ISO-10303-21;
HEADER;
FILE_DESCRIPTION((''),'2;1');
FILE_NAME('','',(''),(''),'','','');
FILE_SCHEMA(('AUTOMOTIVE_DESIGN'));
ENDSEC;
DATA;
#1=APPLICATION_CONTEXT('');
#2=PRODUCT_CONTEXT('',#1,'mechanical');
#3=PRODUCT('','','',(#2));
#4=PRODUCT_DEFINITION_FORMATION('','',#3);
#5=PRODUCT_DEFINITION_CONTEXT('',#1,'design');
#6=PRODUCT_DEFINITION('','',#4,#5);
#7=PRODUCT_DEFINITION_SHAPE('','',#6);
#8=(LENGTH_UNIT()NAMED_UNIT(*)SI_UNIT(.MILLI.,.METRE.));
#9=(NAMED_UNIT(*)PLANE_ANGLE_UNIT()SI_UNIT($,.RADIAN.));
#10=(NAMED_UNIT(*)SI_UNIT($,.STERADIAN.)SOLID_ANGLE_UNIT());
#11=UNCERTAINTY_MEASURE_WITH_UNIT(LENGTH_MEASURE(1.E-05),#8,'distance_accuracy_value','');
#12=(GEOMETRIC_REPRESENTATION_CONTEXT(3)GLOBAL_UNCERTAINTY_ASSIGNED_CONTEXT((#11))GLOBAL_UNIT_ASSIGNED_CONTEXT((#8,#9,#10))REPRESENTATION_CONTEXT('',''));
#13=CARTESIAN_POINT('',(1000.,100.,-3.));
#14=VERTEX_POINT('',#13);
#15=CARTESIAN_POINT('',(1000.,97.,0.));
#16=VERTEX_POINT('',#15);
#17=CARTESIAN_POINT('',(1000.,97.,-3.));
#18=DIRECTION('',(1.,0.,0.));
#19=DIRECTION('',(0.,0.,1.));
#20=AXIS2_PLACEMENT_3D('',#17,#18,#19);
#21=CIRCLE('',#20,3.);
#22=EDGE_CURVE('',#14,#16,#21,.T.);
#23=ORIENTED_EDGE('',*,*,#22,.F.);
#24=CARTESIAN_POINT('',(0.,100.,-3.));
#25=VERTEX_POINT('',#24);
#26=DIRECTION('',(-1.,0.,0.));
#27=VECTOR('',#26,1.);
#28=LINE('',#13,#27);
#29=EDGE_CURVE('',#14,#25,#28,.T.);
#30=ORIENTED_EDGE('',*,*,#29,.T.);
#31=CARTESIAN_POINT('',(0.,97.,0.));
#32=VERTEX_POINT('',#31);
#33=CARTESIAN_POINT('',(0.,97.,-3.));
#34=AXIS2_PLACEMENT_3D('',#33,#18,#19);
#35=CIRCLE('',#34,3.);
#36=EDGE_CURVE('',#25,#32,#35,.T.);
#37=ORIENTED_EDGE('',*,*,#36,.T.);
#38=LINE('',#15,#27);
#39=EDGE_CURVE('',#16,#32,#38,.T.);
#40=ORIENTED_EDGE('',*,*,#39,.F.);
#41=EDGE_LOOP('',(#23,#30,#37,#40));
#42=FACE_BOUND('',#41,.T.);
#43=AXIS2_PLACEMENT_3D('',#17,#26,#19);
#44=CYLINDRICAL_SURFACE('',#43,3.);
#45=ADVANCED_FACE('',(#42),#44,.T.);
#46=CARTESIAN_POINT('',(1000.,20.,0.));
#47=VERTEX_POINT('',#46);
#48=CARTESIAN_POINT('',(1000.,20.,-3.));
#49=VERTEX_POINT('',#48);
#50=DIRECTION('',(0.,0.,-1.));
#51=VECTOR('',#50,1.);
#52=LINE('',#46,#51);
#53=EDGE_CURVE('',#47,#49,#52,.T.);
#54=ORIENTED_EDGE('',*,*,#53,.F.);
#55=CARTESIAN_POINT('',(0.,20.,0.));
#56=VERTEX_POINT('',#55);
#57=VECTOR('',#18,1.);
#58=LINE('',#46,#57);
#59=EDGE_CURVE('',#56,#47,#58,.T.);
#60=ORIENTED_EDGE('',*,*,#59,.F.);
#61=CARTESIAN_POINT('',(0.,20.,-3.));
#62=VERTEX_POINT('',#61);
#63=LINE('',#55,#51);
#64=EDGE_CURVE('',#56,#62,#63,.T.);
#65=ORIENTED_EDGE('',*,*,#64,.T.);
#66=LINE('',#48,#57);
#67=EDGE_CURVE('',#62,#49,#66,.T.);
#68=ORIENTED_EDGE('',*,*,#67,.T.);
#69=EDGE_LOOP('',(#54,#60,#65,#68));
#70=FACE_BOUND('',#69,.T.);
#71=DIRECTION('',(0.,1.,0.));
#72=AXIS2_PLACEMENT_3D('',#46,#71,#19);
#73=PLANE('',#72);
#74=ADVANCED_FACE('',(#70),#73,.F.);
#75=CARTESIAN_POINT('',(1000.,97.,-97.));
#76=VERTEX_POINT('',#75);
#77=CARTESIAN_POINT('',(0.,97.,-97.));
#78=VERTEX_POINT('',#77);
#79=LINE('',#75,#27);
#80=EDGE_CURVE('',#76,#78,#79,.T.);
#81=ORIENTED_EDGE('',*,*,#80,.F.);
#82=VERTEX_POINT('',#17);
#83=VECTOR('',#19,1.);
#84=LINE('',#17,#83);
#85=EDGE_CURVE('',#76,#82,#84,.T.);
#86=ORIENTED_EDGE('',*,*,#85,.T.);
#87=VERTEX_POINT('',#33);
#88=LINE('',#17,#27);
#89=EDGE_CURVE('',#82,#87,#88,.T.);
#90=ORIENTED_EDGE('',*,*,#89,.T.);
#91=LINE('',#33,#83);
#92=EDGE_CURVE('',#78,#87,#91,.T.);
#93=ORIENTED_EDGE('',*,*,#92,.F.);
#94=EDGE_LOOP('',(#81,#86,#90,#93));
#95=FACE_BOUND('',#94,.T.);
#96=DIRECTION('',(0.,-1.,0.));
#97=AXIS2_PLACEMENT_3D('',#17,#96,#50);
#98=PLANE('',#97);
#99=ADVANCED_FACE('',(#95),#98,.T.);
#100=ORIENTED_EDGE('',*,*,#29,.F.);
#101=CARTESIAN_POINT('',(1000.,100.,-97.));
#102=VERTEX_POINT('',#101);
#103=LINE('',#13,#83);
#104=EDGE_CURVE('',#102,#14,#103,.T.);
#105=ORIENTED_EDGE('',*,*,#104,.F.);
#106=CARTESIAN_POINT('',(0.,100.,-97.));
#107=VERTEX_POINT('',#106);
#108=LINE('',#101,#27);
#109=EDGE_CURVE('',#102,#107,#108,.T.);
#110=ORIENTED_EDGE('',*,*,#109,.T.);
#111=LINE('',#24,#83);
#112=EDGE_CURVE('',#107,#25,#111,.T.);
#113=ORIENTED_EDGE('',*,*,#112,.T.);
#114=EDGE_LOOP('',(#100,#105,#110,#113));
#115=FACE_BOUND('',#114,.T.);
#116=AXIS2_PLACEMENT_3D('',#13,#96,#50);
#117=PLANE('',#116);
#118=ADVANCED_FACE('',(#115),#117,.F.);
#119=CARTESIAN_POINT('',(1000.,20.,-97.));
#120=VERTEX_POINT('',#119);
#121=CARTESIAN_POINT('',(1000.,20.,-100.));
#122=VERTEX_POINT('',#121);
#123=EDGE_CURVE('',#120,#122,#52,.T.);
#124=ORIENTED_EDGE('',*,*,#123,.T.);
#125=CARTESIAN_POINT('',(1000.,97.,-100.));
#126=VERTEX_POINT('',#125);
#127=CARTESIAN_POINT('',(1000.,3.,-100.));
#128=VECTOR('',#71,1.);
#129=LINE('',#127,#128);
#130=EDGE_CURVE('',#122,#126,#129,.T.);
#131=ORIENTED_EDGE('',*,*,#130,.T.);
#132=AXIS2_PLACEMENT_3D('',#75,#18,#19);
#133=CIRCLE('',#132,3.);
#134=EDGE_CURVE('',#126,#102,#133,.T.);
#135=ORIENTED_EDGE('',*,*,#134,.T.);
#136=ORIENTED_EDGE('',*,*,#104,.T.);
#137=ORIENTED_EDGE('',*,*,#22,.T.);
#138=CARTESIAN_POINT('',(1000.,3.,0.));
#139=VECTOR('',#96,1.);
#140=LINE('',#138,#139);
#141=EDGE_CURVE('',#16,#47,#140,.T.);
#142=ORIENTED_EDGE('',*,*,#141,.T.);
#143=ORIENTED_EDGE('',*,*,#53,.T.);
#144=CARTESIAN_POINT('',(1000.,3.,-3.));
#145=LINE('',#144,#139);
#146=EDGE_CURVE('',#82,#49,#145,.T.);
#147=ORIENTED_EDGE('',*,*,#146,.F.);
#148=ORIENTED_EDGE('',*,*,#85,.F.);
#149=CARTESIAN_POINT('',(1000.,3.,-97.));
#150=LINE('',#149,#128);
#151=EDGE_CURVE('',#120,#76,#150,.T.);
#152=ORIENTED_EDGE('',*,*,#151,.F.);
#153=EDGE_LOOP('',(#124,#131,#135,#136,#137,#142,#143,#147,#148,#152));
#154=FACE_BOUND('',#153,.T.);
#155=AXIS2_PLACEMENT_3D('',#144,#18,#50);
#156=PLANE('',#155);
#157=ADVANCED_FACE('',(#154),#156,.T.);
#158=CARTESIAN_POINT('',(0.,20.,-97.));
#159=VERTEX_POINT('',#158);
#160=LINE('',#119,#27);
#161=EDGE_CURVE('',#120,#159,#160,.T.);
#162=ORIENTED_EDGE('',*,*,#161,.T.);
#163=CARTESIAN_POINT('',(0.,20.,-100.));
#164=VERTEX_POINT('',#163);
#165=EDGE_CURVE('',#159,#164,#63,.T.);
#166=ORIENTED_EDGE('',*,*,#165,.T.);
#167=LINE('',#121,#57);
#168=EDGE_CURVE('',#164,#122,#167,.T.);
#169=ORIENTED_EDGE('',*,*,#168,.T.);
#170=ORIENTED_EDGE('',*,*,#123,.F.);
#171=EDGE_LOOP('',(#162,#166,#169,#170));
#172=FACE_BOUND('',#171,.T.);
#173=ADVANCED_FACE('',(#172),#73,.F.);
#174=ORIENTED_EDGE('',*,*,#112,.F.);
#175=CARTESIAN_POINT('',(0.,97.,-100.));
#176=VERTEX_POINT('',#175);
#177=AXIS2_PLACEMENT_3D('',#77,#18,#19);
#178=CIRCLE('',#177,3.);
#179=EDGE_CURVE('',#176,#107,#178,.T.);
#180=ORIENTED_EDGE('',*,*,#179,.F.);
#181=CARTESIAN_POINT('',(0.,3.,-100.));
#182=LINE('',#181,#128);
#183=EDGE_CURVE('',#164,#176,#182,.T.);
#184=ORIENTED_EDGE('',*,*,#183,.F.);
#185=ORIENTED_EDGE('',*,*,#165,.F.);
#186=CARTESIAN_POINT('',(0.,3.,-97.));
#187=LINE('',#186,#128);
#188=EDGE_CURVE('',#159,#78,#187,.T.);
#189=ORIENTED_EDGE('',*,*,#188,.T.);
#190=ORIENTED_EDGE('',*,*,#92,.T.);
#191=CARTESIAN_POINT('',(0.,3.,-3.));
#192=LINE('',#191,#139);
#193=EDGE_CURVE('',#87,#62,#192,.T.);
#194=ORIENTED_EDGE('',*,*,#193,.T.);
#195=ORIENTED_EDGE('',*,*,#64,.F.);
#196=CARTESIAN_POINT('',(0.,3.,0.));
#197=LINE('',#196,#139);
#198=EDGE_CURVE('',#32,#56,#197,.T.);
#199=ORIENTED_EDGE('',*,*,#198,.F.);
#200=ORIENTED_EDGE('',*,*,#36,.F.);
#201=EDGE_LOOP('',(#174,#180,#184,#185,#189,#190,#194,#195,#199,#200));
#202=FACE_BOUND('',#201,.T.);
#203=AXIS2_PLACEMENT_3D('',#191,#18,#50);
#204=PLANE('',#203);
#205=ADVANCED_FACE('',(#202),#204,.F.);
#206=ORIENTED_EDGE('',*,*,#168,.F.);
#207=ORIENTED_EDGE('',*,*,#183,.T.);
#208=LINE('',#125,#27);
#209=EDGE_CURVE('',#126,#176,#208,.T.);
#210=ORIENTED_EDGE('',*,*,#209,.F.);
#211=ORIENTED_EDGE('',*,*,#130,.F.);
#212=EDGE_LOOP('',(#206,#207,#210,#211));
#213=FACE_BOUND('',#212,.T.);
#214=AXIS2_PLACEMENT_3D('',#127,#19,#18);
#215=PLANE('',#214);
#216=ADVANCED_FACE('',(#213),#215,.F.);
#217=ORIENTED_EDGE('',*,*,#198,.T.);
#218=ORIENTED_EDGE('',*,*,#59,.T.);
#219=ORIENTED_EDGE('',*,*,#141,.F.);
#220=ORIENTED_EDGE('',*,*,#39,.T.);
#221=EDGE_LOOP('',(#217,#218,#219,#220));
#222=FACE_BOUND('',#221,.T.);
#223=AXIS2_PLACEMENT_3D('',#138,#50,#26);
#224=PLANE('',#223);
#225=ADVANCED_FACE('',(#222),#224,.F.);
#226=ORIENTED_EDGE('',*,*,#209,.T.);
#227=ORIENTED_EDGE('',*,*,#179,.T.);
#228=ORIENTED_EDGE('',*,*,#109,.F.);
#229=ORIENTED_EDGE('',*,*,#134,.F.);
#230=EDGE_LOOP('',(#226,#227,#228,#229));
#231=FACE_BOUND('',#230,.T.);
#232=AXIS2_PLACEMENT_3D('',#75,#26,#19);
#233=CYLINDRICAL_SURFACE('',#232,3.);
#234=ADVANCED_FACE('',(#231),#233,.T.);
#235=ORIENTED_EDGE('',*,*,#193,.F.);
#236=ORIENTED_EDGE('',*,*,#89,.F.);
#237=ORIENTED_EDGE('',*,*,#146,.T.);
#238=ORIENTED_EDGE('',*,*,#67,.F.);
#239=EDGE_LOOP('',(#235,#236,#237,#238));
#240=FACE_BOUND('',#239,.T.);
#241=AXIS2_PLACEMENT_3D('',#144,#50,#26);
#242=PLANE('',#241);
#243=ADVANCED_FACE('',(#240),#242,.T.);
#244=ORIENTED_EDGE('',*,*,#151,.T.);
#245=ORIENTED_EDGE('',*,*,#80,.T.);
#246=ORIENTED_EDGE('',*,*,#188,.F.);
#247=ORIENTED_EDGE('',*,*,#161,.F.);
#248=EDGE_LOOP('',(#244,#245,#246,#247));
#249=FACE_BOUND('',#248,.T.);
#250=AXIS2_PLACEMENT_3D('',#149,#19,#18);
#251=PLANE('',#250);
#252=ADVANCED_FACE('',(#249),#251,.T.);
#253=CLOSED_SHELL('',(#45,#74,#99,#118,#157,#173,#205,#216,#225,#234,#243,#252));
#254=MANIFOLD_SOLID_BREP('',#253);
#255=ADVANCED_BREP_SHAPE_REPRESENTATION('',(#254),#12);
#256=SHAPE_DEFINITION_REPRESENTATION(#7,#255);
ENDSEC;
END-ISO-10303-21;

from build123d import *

# Parameters (mm, degrees)
SKETCH_1_W          = 94
SKETCH_1_H          = 94
EXTRUDE_1_DEPTH     = 1000
SKETCH_2_W          = 1000
SKETCH_2_H          = 20
CUT_EXTRUDE_1_DEPTH = 101


with BuildPart() as part:
    # Эскиз1 → Вытянуть-Тонкостенный1 (new body)
    with BuildSketch(Plane(origin=(0, 0, 0), x_dir=(0, 0, -1), z_dir=(1, 0, 0))):
        with BuildLine():
            Line((0, 97), (0, 3))
            ThreePointArc((0, 3), (0.878679656, 0.878679656), (3, 0))
            Line((3, 0), (97, 0))
            ThreePointArc((97, 0), (99.121320344, 0.878679656), (100, 3))
            Line((100, 3), (100, 97))
            ThreePointArc((100, 97), (99.121320344, 99.121320344), (97, 100))
            Line((97, 100), (3, 100))
            ThreePointArc((3, 100), (0.878679656, 99.121320344), (0, 97))
        make_face()
        with Locations((50, 50)):
            Rectangle(SKETCH_1_W, SKETCH_1_H, mode=Mode.SUBTRACT)
    extrude(amount=EXTRUDE_1_DEPTH)

    # Эскиз2 → Вырез-Вытянуть1 (cut, through all)
    with BuildSketch(Plane(origin=(0, 0, -100), x_dir=(-1, 0, 0), z_dir=(0, 0, -1))):
        with Locations((-500, 10)):
            Rectangle(SKETCH_2_W, SKETCH_2_H)
    extrude(amount=-CUT_EXTRUDE_1_DEPTH, mode=Mode.SUBTRACT)


solid = part.part
